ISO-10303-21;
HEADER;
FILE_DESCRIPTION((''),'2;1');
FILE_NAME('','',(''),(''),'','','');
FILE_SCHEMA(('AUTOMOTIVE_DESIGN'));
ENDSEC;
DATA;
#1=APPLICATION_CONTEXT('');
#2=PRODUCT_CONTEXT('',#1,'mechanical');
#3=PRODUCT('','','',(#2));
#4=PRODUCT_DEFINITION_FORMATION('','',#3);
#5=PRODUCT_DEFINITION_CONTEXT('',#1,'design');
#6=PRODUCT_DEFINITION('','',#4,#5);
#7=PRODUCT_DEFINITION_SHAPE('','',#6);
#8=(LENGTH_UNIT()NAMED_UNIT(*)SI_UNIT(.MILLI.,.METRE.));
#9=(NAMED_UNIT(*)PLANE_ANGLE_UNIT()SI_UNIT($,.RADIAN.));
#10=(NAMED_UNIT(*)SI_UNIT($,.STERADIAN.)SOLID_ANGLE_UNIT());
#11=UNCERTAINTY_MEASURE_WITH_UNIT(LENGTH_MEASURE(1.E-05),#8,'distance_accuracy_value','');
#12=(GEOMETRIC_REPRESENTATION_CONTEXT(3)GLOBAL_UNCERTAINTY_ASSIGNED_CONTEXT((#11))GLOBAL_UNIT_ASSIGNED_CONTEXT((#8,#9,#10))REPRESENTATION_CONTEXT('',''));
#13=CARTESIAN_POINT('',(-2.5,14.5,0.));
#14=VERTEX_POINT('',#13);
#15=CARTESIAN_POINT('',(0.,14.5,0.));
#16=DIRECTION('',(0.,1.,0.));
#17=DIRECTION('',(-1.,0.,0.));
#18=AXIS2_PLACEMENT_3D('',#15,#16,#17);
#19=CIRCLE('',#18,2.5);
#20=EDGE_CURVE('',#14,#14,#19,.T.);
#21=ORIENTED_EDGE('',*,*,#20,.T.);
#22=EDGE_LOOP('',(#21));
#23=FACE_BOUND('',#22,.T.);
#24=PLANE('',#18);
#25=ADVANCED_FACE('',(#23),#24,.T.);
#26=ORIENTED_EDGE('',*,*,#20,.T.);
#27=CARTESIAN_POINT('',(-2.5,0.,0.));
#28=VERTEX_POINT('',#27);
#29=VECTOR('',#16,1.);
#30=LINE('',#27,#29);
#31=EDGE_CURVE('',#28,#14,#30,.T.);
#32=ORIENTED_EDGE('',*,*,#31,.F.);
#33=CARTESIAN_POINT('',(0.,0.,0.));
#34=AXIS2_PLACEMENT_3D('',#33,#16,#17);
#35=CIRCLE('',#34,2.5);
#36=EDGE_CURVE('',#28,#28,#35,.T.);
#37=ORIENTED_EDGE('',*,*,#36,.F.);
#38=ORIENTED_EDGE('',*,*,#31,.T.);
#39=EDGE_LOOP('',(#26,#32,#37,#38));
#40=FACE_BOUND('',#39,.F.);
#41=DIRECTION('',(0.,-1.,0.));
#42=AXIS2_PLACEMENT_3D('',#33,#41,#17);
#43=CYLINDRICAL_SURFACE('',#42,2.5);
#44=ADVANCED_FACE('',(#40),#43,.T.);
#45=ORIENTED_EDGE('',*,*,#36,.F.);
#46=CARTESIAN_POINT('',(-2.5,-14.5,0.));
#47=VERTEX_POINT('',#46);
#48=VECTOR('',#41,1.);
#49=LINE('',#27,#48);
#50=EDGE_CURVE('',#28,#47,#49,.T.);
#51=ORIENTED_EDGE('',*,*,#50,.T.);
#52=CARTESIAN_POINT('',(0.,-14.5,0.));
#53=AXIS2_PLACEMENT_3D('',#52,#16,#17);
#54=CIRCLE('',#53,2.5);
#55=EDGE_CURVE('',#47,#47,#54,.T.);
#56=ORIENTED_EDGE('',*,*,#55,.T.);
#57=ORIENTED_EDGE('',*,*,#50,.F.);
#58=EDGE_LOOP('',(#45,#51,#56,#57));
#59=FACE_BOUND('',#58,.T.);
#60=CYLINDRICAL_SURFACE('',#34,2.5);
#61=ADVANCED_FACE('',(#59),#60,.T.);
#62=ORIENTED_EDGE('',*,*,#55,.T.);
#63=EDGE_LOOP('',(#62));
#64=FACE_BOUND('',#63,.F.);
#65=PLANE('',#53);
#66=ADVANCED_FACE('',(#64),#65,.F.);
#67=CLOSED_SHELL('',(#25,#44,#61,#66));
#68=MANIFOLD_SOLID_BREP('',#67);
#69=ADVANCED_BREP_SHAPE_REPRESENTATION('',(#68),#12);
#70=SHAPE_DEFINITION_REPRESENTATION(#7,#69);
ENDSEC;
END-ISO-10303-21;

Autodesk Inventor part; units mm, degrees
ref_plane "YZ Plane" through (0, 0, 0) normal (1, 0, 0) x (0, 1, 0)
ref_plane "XZ Plane" through (0, 0, 0) normal (0, 1, 0) x (-1, 0, 0)
ref_plane "XY Plane" through (0, 0, 0) normal (0, 0, 1) x (1, 0, 0)
sketch "Sketch1" plane through (0, 0, 0) normal (0, 1, 0) x (-1, 0, 0)
  circle A0 centre (0, 0) radius 2.5
  dimension "d0" = 5
extrude "Extrusion1" add sketch "Sketch1" along normal mid plane 29
properties part number "Drive Shaft" material "Steel, Alloy"
